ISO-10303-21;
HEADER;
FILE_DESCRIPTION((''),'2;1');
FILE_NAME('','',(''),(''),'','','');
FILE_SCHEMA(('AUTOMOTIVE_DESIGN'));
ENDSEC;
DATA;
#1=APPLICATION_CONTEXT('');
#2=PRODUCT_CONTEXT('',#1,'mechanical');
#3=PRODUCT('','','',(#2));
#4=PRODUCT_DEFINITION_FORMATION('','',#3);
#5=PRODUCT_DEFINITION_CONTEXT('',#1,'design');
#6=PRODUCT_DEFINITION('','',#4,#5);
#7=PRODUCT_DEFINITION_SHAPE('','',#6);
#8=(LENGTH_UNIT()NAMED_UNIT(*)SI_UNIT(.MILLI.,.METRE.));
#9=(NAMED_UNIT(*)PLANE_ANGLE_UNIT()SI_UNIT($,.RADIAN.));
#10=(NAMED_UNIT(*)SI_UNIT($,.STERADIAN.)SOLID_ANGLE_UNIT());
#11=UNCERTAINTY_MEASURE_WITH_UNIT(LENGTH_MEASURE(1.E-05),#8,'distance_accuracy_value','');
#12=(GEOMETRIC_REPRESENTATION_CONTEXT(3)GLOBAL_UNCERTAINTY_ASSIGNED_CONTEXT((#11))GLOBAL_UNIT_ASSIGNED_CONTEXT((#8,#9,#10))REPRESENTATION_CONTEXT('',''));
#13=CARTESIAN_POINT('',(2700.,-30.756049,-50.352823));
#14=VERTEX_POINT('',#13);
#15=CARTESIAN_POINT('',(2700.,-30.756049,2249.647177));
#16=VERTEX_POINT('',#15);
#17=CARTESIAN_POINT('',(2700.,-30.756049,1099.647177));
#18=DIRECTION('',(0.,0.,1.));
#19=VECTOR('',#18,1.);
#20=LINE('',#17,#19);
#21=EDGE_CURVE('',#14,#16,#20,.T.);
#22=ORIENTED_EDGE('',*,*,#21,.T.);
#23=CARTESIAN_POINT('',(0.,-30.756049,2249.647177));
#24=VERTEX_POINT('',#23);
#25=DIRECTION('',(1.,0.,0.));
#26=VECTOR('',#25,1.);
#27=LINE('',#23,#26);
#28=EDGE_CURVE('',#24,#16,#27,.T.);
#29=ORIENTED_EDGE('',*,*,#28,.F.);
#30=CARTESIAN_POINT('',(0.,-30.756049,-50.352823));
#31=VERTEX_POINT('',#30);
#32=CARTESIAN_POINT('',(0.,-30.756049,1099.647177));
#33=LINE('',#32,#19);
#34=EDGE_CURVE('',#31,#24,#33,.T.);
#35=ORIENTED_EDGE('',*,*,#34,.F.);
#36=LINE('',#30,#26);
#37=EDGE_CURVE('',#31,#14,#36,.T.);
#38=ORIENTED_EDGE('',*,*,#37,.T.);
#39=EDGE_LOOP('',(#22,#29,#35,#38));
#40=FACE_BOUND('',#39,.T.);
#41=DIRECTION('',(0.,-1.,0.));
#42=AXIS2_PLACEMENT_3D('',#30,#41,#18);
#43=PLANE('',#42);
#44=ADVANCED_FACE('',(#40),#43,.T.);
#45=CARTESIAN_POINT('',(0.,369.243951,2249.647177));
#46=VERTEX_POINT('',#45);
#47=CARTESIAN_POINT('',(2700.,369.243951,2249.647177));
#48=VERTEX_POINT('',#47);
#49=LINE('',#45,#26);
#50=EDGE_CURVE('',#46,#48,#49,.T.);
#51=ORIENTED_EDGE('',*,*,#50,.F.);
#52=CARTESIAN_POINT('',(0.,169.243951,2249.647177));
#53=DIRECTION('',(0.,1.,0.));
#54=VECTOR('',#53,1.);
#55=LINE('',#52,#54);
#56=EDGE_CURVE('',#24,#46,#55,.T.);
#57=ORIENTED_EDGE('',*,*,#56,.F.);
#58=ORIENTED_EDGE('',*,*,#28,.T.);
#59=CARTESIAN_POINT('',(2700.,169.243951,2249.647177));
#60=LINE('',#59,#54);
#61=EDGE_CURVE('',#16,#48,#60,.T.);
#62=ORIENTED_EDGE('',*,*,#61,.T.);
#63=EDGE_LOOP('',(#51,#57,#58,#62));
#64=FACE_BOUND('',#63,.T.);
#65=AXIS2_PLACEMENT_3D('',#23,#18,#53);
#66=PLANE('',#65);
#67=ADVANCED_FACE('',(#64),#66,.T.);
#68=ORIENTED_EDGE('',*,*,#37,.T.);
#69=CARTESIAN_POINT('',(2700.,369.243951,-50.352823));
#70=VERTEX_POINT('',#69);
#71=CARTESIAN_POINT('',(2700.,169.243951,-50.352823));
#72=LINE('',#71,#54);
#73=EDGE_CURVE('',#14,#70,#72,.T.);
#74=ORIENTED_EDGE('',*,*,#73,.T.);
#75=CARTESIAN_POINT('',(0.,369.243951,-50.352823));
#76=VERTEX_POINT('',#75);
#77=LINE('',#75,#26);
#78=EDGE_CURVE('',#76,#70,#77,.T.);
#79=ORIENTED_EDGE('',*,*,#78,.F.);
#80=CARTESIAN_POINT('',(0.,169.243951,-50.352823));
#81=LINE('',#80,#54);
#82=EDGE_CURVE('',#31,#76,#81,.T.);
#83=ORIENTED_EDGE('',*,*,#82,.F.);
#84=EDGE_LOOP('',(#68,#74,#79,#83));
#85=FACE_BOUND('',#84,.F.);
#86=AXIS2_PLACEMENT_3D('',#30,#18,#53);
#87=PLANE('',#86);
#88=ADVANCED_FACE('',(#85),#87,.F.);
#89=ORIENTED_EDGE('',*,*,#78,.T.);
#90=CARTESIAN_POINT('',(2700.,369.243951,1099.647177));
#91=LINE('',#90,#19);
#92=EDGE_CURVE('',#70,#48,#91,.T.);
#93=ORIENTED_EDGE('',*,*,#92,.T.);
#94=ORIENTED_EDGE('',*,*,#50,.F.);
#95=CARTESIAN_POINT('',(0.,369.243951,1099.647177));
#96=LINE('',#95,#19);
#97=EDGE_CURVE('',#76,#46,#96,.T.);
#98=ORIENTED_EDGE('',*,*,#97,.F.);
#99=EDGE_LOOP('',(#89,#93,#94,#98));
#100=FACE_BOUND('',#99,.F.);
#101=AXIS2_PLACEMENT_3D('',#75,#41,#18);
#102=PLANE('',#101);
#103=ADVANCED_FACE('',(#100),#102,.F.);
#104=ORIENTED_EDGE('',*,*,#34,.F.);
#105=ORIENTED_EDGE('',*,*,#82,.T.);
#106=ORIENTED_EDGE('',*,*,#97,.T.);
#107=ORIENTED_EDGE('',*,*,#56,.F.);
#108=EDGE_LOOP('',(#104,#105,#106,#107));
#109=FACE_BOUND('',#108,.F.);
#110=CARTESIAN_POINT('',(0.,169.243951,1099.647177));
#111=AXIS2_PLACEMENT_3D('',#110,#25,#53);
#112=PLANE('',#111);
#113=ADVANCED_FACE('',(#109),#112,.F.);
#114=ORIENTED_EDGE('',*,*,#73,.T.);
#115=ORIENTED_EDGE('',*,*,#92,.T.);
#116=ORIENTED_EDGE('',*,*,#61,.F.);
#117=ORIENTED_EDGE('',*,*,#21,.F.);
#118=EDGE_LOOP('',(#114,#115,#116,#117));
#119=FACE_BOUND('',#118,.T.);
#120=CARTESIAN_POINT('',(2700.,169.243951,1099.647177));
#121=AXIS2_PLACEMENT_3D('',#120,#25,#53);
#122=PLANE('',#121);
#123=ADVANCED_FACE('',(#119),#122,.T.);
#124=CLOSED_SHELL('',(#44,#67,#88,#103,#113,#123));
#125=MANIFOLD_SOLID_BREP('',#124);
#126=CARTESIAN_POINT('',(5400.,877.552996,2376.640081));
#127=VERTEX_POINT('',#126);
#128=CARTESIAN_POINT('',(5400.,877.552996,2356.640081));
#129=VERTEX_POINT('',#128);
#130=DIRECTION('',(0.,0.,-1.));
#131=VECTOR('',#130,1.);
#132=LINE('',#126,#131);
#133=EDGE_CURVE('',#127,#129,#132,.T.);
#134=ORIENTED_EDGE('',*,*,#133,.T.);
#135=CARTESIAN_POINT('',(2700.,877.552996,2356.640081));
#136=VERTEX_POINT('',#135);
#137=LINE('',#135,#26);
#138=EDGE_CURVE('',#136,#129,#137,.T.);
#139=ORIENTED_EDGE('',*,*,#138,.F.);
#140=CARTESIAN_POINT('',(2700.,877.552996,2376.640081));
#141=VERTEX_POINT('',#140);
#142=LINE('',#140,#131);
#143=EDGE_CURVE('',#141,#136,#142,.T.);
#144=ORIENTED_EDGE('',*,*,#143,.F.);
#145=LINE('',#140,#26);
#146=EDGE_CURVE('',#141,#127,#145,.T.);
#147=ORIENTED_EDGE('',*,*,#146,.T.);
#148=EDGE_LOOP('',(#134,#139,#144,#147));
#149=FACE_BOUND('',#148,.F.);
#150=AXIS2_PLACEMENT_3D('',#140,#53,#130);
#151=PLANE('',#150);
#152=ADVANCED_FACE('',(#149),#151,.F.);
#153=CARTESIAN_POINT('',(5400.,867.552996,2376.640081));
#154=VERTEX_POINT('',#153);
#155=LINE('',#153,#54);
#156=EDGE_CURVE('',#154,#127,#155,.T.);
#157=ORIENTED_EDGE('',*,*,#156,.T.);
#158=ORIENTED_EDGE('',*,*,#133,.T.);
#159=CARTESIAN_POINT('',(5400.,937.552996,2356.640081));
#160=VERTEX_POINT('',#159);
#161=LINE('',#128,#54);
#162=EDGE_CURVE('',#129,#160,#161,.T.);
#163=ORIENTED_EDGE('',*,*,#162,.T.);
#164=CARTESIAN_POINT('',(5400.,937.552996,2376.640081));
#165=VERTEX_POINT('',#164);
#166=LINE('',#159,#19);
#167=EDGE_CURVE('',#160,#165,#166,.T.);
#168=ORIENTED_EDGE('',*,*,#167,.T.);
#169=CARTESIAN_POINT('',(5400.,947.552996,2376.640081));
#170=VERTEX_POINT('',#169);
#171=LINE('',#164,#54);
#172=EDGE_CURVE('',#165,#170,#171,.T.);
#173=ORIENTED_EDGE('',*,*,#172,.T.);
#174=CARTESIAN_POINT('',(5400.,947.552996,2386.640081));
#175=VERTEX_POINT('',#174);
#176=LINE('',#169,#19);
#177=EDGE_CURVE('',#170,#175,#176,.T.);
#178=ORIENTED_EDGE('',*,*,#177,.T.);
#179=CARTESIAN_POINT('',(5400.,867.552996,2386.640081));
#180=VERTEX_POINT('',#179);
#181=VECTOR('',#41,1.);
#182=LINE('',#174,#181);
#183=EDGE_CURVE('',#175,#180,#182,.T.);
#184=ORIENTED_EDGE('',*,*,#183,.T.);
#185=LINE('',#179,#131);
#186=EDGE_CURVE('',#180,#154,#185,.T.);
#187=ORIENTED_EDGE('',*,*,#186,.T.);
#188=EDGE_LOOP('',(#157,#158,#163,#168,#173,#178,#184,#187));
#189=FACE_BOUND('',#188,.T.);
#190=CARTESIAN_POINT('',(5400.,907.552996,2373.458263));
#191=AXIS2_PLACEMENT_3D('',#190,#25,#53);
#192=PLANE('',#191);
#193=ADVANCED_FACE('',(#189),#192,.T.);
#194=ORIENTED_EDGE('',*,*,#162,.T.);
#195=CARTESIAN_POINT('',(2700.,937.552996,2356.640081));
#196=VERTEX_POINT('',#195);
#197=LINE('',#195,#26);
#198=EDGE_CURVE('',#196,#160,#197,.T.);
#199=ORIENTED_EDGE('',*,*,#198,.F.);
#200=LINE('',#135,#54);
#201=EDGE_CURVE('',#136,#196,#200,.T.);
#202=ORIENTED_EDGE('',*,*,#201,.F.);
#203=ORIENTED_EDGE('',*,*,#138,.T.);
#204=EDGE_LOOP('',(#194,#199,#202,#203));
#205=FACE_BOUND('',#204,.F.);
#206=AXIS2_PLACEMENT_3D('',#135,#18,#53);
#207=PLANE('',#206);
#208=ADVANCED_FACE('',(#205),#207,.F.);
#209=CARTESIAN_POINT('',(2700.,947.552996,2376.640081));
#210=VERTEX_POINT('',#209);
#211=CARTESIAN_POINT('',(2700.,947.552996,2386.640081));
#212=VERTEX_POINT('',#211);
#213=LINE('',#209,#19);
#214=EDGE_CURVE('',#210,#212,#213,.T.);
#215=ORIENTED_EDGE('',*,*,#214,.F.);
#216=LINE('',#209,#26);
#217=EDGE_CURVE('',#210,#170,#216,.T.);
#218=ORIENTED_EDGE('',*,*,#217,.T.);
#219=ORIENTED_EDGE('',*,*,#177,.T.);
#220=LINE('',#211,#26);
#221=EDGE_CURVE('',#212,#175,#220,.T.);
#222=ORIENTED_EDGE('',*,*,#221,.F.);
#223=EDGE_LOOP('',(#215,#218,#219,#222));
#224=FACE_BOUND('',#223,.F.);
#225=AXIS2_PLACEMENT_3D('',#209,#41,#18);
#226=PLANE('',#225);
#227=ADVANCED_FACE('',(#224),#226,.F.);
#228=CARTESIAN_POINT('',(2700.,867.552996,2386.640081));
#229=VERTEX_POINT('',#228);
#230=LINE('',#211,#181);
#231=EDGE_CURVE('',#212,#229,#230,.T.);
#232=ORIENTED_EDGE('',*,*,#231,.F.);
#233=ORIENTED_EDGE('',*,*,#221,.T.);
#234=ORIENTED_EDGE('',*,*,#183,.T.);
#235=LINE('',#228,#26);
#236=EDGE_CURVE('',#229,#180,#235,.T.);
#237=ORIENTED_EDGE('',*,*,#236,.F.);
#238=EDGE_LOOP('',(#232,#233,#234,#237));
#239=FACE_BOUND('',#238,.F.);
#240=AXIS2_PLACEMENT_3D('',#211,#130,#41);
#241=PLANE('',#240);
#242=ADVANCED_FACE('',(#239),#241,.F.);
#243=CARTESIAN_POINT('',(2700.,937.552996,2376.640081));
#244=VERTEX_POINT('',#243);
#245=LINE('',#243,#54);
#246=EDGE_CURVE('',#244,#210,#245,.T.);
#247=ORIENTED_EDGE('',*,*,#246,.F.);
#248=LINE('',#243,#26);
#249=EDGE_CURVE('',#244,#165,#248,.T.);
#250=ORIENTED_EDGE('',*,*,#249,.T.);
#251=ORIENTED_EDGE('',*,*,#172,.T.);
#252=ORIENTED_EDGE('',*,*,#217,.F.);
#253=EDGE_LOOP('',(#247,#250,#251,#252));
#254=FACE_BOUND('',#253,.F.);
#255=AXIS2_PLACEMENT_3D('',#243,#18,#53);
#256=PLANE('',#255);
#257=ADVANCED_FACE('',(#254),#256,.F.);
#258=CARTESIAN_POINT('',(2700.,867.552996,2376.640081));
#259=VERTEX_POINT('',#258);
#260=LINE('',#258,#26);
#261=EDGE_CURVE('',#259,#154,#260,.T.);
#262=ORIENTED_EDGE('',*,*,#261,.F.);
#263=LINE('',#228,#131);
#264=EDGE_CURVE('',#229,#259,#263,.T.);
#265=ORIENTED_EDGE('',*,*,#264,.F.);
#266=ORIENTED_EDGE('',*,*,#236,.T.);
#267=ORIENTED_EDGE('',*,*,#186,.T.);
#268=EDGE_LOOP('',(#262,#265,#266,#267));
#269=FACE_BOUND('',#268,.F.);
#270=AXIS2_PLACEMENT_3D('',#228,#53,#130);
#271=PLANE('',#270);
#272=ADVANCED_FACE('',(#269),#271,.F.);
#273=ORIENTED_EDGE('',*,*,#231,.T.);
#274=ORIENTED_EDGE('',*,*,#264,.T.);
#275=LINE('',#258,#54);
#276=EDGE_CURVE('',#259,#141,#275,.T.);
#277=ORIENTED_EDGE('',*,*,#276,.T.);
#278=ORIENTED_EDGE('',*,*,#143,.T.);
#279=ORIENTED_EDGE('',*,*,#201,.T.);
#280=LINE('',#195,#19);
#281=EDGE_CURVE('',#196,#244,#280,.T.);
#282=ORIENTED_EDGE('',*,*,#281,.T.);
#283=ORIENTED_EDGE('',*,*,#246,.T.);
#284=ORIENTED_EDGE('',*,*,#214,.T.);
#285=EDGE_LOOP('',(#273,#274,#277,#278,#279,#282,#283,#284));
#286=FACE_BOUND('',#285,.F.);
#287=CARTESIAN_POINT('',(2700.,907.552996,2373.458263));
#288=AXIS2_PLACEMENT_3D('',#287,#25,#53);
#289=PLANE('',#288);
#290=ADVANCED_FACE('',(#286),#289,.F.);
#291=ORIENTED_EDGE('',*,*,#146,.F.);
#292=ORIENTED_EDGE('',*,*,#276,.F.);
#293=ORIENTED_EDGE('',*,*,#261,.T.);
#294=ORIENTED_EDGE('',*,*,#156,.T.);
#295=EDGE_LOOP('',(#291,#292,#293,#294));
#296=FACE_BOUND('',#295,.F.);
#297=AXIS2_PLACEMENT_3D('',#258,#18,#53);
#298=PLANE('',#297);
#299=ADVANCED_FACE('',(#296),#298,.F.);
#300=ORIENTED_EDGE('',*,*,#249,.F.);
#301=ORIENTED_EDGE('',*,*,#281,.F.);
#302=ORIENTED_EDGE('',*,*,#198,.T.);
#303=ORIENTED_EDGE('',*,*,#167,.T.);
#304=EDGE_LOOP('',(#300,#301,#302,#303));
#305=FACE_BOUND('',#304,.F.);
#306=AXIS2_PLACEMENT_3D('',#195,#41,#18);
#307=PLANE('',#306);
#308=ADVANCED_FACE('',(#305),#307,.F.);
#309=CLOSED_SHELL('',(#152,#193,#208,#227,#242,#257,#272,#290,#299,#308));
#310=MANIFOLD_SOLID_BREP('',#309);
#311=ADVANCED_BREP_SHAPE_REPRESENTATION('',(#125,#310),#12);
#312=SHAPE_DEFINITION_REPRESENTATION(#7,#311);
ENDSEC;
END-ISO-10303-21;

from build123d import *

# Parameters (mm, degrees)
F0_W     = 400
F0_H     = 2300
F1_DEPTH = 2700
F3_DEPTH = 2700


with BuildPart() as f1:
    # F0 (on Right) → F1 (new body)
    with BuildSketch(Plane.YZ):
        with Locations((169.243951, 1099.647177)):
            Rectangle(F0_W, F0_H)
    extrude(amount=F1_DEPTH)


with BuildPart() as f3:
    # F2 (on face) → F3 (new body)
    with BuildSketch(Plane.YZ.offset(2700)):
        Polygon((947.552996, 2386.640081), (867.552996, 2386.640081), (867.552996, 2376.640081), (877.552996, 2376.640081), (877.552996, 2356.640081), (937.552996, 2356.640081), (937.552996, 2376.640081), (947.552996, 2376.640081), align=None)
    extrude(amount=F3_DEPTH)


solid = Compound([f1.part, f3.part])
